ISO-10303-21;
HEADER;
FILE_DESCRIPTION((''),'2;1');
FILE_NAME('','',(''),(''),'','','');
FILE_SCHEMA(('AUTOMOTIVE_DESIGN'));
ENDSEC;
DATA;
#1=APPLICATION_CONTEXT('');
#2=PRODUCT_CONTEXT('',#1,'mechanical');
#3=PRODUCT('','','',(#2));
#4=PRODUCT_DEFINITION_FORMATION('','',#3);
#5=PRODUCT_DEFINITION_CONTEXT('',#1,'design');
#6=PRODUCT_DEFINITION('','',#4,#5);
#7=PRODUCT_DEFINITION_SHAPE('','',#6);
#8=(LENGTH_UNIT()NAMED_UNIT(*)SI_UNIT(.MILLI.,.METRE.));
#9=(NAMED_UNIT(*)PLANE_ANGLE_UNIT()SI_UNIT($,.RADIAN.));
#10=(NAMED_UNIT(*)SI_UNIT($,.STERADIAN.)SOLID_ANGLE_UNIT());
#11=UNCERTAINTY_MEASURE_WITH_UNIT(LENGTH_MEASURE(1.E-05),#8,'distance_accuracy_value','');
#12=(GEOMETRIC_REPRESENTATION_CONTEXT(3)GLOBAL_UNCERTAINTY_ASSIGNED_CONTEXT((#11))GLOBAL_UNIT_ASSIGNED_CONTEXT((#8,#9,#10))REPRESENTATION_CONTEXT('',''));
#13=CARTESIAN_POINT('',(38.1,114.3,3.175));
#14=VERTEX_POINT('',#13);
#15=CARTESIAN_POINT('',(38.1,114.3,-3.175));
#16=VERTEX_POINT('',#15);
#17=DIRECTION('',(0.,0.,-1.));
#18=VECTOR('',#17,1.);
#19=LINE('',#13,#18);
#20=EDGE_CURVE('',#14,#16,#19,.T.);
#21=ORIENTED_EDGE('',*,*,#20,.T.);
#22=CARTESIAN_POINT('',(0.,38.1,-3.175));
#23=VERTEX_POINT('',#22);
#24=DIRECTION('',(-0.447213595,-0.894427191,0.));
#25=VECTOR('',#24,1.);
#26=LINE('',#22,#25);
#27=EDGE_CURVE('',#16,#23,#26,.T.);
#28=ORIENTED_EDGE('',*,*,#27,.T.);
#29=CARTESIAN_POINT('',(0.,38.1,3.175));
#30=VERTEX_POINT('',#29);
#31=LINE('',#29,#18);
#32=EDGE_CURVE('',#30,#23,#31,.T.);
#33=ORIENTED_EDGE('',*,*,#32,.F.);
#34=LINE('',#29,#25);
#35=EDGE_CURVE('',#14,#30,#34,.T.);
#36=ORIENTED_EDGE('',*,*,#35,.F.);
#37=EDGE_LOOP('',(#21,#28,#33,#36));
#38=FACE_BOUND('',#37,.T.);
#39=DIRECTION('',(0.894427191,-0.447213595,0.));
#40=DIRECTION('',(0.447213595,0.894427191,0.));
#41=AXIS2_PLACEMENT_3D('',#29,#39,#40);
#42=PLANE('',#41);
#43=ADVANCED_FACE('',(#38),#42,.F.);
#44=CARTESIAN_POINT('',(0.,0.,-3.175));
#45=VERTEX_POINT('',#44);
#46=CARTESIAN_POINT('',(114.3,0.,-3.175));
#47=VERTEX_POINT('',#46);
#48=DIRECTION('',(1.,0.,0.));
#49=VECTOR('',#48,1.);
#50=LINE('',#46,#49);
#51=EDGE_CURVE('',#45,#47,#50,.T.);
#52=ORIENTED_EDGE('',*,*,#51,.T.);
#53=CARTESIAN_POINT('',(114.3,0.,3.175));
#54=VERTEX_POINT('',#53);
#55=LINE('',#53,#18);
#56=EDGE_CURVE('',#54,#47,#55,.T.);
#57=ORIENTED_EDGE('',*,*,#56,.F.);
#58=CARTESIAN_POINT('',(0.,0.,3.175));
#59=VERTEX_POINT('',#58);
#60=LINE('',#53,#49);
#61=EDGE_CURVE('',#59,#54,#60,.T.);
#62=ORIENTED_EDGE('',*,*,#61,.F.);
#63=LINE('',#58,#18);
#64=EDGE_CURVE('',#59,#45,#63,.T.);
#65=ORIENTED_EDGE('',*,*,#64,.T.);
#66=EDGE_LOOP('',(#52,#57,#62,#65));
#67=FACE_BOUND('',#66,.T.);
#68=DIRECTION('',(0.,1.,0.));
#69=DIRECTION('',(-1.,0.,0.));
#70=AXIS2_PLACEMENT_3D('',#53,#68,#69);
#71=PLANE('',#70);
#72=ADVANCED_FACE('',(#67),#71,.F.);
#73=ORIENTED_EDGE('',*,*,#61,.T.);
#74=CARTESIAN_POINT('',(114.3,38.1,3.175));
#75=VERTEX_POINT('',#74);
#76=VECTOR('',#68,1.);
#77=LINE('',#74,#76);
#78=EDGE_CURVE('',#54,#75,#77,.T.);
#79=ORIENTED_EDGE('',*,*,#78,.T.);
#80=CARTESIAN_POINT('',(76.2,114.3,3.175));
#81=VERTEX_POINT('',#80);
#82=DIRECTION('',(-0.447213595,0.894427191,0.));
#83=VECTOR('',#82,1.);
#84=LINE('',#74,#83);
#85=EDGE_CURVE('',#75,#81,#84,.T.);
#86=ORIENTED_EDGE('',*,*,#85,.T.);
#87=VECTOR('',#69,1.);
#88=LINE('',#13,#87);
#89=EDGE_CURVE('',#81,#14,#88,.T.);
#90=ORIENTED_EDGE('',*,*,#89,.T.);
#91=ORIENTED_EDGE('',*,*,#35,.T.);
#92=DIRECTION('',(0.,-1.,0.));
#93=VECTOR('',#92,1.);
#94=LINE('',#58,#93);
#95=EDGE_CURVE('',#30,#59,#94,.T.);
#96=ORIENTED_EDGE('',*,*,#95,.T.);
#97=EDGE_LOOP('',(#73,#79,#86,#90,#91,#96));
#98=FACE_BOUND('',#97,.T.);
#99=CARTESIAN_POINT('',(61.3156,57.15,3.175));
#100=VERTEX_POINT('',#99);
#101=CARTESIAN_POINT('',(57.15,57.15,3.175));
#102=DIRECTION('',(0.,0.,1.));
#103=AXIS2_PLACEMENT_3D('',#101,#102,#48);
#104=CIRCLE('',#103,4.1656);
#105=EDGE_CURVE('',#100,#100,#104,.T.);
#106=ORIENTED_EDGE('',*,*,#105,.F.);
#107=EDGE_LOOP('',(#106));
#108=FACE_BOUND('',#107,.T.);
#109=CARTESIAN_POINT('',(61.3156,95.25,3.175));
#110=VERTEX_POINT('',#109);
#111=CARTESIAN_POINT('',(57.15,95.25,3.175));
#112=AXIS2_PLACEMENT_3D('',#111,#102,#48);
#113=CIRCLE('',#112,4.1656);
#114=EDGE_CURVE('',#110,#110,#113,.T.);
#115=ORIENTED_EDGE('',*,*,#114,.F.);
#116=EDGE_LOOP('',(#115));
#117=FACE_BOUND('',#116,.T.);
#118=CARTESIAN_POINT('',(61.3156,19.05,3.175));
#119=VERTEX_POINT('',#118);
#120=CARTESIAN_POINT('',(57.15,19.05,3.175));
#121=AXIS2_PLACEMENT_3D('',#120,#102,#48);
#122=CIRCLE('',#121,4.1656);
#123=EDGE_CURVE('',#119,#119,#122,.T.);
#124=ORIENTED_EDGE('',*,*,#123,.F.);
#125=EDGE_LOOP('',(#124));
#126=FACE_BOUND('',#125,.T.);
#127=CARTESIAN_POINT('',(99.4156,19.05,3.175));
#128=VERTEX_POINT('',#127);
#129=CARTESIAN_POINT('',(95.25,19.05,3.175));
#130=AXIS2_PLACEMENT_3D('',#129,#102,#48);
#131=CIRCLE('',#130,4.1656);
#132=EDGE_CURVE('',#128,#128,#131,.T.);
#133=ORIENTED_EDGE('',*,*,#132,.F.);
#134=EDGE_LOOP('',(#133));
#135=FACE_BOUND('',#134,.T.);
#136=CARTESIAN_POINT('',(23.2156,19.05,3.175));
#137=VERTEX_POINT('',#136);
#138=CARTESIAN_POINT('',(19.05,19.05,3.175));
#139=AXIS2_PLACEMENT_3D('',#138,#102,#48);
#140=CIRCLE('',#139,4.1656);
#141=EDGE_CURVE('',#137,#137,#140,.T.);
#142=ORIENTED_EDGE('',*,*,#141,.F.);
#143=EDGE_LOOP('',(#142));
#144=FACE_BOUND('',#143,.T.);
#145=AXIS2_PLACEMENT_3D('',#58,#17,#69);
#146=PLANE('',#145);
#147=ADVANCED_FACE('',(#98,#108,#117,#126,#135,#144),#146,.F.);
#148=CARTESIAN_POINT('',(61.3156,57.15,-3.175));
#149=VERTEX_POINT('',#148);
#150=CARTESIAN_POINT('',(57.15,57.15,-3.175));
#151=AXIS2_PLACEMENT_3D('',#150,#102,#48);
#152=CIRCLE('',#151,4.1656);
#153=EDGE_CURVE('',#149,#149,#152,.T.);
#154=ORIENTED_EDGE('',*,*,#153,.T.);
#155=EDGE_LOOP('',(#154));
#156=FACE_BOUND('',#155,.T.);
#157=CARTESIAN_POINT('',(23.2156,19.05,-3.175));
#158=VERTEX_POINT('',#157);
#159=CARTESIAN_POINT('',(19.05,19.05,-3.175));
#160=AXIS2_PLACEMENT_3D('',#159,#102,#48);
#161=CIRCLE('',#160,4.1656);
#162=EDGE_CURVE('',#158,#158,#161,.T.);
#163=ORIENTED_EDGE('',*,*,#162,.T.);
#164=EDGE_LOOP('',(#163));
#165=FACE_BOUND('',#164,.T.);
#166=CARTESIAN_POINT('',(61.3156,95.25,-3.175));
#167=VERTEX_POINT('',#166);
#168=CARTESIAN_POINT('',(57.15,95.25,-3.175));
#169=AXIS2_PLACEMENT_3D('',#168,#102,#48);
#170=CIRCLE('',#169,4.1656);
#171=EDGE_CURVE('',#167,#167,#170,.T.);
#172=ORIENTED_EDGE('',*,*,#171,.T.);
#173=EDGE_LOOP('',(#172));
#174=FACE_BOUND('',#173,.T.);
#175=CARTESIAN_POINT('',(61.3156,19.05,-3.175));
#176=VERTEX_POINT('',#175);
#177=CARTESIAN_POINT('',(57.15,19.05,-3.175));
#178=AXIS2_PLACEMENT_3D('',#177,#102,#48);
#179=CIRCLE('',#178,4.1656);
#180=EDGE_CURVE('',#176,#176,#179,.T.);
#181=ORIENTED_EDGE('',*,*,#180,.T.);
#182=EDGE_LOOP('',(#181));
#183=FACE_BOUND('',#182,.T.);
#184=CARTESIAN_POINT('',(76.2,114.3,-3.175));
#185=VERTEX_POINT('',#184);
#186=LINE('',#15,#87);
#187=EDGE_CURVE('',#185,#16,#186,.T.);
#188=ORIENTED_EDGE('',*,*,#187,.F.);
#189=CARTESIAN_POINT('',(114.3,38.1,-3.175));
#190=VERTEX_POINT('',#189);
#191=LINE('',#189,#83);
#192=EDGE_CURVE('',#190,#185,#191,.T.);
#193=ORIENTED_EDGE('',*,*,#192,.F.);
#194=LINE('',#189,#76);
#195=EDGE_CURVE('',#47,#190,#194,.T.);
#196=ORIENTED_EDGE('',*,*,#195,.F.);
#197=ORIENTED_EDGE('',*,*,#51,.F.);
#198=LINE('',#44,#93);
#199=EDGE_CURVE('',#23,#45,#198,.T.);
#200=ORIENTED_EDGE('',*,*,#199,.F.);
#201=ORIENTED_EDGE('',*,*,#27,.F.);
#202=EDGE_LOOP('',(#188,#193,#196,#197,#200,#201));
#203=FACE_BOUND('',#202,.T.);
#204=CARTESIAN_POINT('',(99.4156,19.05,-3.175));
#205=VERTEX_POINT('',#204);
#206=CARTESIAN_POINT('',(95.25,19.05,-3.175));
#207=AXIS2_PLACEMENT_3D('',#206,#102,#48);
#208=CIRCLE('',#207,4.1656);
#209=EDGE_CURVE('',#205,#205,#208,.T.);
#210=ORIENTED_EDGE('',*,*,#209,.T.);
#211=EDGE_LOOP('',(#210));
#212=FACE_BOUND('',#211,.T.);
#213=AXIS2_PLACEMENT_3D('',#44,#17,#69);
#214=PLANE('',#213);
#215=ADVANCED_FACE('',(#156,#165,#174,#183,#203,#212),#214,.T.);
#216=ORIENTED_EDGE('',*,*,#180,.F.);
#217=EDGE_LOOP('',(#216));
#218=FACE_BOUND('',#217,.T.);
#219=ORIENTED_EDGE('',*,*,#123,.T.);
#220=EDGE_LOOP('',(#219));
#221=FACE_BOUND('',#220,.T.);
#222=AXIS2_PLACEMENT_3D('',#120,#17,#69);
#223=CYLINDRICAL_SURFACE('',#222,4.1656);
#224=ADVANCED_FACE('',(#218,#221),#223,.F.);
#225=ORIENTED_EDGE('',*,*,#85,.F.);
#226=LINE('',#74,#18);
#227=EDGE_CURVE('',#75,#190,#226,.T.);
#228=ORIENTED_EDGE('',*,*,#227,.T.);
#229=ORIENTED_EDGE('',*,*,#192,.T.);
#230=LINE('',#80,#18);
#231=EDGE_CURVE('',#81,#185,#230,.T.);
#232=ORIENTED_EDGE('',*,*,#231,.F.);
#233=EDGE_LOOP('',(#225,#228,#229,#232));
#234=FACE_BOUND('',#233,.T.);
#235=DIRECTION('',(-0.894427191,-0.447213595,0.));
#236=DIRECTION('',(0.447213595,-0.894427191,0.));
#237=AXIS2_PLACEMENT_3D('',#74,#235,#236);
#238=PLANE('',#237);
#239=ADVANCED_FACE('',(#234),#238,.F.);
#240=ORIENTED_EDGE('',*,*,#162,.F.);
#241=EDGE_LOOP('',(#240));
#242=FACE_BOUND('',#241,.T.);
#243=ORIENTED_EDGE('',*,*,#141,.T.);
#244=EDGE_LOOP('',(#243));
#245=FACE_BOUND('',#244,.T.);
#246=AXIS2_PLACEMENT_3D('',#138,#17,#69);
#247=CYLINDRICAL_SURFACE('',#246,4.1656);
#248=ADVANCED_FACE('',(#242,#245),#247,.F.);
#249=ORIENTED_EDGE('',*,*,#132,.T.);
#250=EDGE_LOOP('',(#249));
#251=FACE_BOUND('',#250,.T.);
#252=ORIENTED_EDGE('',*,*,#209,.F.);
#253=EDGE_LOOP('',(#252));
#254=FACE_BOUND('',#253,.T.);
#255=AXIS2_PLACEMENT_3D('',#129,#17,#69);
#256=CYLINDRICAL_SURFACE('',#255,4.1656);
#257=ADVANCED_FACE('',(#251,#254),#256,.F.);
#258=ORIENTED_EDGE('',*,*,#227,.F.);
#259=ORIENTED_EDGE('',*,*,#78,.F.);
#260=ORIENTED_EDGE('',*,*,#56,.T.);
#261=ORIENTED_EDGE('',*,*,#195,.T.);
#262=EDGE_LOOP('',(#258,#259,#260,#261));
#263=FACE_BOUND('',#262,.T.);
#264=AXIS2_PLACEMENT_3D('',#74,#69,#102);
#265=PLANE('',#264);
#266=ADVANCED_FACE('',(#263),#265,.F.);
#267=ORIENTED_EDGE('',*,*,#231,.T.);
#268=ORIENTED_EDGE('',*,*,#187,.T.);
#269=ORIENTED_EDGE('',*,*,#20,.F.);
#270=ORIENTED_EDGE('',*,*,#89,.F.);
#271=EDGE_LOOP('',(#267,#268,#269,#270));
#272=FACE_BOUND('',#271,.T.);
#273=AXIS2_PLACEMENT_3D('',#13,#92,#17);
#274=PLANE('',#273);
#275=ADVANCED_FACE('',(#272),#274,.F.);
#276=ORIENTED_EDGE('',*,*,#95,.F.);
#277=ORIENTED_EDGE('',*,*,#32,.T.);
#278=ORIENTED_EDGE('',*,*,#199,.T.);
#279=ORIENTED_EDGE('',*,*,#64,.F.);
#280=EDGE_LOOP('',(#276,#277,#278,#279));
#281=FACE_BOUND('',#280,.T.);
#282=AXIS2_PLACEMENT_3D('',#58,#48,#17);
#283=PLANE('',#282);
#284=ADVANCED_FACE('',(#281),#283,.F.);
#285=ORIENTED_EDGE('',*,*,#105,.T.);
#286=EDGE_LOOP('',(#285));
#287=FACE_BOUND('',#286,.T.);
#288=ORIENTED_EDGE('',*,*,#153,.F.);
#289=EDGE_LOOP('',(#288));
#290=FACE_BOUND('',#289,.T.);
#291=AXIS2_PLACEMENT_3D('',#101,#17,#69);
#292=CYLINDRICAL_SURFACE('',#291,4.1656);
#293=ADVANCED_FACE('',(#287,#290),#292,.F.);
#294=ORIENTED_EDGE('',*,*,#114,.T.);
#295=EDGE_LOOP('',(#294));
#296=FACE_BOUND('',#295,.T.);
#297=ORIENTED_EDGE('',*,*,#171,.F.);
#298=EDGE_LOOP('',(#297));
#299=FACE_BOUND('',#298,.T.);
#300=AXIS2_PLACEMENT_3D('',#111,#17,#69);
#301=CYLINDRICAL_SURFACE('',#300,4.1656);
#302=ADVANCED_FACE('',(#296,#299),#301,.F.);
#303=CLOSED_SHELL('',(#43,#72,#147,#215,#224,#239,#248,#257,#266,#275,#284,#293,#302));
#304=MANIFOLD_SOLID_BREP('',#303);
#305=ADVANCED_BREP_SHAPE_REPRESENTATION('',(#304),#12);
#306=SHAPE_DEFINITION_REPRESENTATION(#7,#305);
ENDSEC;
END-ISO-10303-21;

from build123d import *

# Parameters (mm, degrees)
SKETCH1_R           = 4.1656
BOSS_EXTRUDE1_DEPTH = 3.175


with BuildPart() as part:
    # Sketch1 → Boss-Extrude1 (new body, symmetric)
    with BuildSketch(Plane.XY):
        Polygon((0, 0), (0, 38.1), (38.1, 114.3), (76.2, 114.3), (114.3, 38.1), (114.3, 0), align=None)
        with Locations((19.05, 19.05)):
            Circle(SKETCH1_R, mode=Mode.SUBTRACT)
        with Locations((57.15, 19.05)):
            Circle(SKETCH1_R, mode=Mode.SUBTRACT)
        with Locations((95.25, 19.05)):
            Circle(SKETCH1_R, mode=Mode.SUBTRACT)
        with Locations((57.15, 57.15)):
            Circle(SKETCH1_R, mode=Mode.SUBTRACT)
        with Locations((57.15, 95.25)):
            Circle(SKETCH1_R, mode=Mode.SUBTRACT)
    extrude(amount=BOSS_EXTRUDE1_DEPTH, both=True)


solid = part.part
